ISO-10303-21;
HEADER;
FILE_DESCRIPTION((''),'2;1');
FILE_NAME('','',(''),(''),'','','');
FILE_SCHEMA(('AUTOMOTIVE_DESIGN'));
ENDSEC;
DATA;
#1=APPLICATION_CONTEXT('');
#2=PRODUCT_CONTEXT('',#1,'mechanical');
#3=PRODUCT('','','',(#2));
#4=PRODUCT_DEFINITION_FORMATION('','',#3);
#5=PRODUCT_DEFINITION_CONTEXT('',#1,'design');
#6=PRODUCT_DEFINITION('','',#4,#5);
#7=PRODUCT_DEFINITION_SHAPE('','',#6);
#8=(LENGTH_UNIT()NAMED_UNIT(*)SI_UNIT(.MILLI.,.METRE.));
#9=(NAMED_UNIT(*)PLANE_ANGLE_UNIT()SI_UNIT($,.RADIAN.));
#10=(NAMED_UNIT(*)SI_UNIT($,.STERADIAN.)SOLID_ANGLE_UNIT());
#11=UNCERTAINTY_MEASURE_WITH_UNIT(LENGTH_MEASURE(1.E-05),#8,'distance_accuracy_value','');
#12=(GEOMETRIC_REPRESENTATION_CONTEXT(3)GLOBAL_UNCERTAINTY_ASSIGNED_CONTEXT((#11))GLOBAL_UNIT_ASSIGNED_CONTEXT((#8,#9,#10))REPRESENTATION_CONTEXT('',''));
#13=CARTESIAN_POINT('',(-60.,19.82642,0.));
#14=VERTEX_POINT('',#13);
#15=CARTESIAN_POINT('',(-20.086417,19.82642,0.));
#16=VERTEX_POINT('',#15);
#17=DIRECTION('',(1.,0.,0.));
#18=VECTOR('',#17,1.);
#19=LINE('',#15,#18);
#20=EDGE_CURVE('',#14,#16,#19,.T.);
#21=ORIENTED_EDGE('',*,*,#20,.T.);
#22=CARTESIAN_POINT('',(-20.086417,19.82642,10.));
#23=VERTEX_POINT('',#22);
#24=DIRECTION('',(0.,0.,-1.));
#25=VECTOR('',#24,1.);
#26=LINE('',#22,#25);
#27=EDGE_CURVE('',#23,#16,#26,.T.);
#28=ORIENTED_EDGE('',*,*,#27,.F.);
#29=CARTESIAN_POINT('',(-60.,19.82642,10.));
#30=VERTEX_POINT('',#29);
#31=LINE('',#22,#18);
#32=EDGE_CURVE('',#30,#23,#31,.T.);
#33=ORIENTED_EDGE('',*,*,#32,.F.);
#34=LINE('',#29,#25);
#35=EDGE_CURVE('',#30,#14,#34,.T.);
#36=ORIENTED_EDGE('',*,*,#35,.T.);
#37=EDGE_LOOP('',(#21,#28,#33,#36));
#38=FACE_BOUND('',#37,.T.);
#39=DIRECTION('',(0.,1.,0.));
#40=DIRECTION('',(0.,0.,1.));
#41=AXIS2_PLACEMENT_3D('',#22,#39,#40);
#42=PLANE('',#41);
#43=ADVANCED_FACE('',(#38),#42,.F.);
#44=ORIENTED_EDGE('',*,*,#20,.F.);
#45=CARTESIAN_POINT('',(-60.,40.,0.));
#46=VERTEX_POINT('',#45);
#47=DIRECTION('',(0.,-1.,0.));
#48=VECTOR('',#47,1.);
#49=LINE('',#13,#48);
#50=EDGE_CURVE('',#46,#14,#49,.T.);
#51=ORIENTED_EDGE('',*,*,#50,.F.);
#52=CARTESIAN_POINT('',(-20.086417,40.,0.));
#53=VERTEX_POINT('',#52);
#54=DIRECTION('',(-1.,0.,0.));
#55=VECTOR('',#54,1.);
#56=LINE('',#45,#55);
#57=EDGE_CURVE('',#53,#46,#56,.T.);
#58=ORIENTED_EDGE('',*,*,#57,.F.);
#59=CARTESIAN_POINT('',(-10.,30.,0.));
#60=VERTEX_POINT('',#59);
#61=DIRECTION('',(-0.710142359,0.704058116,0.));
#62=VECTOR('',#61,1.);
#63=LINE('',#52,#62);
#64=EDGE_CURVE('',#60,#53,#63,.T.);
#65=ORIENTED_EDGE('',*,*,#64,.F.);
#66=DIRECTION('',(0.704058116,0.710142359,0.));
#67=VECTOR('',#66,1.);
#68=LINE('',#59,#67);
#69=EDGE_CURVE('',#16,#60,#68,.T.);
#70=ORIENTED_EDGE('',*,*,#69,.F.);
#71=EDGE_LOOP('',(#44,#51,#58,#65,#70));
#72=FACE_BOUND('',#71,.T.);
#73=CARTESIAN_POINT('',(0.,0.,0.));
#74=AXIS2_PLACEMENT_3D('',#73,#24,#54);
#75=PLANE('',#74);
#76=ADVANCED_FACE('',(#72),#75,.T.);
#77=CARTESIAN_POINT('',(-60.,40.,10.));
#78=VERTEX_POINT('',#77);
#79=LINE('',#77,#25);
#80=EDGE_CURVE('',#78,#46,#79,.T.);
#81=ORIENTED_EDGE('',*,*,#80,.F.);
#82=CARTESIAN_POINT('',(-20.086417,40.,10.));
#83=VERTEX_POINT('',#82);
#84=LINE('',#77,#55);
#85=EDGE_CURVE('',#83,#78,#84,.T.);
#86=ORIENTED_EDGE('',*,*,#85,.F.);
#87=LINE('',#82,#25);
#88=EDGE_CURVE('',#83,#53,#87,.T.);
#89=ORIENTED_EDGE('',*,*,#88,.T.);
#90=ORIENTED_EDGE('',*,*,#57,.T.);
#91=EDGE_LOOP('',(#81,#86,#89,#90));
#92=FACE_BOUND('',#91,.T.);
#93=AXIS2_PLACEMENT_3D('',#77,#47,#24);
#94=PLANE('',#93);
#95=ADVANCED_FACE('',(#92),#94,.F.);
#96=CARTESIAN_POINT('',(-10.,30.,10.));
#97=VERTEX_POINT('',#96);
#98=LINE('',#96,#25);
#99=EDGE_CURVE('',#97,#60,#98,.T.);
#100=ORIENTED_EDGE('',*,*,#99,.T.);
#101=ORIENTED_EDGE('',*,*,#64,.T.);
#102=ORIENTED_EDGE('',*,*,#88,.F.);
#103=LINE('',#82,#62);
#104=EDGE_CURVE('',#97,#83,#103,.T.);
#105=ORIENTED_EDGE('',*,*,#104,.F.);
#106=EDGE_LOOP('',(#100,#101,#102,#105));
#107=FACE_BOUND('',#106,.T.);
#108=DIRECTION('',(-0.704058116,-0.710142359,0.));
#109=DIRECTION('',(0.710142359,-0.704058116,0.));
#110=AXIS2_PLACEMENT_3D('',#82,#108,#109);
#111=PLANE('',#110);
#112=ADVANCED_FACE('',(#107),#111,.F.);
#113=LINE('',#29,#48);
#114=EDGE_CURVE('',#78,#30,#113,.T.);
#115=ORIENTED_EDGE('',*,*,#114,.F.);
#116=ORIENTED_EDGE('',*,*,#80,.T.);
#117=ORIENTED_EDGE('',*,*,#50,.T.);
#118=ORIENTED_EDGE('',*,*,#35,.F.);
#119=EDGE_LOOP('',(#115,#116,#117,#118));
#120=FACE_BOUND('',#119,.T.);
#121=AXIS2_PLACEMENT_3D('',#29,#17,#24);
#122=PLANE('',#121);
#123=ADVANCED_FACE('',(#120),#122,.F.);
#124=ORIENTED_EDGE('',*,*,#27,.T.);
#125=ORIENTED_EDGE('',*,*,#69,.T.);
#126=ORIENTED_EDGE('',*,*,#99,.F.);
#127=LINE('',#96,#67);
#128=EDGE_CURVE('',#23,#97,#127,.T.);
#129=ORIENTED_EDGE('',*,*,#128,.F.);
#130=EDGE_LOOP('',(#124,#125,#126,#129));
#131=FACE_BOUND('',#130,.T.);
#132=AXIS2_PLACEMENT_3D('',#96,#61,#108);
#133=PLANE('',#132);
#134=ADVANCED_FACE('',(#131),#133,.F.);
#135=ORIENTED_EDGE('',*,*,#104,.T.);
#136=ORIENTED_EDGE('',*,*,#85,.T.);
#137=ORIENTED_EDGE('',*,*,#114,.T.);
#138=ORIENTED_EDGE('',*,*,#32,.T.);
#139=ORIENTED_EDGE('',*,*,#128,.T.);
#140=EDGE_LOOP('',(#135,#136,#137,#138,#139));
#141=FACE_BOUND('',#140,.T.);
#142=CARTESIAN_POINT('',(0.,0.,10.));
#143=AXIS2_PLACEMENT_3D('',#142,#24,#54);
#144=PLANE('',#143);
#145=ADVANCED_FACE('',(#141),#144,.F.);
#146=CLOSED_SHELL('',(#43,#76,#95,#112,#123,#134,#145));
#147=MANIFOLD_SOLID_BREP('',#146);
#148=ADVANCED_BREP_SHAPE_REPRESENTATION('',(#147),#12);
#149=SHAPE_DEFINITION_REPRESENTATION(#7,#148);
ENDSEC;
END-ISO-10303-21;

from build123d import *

# Parameters (mm, degrees)
BOSS_EXTRUDE1_DEPTH = 10


with BuildPart() as part:
    # Sketch1 → Boss-Extrude1 (new body)
    with BuildSketch(Plane.XY):
        Polygon((-60, 40), (-20.086416767, 40), (-10, 30), (-20.086416767, 19.826419679), (-60, 19.826419679), align=None)
    extrude(amount=BOSS_EXTRUDE1_DEPTH)


solid = part.part
